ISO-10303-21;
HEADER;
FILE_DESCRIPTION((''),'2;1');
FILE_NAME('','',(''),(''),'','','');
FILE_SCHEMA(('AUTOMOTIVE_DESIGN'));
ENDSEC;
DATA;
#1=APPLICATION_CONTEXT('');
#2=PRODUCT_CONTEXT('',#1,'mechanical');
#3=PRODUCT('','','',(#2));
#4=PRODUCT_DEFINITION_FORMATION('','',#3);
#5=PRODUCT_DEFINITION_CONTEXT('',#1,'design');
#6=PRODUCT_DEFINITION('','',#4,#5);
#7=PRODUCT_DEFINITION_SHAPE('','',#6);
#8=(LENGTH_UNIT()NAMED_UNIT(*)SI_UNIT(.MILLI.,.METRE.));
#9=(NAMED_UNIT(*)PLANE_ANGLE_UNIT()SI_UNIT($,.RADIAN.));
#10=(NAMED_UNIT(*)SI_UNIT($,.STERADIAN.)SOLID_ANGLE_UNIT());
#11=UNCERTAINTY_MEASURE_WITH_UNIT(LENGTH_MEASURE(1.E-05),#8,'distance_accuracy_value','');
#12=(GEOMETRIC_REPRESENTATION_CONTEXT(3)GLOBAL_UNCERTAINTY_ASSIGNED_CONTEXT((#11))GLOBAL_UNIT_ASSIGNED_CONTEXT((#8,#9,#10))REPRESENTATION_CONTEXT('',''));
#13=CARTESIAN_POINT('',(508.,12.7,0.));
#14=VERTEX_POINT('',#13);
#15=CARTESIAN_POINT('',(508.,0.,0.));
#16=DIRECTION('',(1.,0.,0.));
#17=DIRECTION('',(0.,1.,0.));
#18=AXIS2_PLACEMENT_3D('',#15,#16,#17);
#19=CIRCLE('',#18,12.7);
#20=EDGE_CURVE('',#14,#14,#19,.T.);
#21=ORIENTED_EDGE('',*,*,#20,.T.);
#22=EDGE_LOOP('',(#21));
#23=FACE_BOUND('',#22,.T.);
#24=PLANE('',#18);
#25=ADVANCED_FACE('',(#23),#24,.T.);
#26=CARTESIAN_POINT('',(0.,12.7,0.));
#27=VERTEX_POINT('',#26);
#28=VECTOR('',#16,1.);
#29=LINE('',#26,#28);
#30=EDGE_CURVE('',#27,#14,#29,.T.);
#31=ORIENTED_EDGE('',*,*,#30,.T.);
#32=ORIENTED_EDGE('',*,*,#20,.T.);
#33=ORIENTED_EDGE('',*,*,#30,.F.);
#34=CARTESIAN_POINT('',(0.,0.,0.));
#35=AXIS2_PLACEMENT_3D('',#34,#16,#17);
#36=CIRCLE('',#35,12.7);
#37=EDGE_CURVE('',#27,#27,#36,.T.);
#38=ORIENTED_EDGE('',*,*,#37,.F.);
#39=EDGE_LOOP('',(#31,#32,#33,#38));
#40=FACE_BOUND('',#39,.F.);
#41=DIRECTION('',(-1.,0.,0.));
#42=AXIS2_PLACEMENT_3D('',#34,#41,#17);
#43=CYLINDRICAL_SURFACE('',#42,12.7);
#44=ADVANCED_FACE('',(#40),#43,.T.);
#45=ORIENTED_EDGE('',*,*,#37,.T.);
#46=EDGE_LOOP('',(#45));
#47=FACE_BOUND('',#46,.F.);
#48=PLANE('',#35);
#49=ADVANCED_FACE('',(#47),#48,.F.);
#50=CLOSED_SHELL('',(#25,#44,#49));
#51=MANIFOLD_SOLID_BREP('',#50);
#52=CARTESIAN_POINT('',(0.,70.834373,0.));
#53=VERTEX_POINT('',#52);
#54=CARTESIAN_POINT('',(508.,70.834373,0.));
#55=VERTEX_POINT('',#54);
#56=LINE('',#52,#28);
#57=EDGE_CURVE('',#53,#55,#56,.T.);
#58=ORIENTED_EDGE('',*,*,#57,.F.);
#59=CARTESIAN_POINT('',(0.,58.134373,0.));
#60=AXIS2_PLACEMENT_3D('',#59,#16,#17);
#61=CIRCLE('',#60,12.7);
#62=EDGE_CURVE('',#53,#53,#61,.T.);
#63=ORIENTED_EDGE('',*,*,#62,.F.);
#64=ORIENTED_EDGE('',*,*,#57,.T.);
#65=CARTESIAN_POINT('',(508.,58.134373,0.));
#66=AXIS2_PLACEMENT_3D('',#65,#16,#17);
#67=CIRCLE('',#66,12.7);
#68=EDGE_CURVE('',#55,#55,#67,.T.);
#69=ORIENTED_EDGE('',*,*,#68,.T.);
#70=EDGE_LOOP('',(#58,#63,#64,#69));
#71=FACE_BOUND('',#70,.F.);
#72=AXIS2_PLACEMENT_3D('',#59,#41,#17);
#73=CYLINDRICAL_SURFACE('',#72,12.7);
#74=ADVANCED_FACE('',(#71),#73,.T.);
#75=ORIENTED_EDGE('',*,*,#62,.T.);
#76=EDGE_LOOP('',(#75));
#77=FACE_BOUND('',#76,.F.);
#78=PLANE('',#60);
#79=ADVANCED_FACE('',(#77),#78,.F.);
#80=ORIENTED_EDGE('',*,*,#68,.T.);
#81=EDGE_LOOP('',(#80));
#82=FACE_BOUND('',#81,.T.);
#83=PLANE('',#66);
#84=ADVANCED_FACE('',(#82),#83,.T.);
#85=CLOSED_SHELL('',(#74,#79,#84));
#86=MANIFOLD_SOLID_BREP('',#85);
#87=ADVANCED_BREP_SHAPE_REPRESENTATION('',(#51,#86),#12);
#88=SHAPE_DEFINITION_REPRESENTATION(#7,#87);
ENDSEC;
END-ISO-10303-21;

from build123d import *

# Parameters (mm, degrees)
F0_R     = 12.7
F1_DEPTH = 508


with BuildPart() as f1:
    # F0 (on Right) → F1 (new body)
    with BuildSketch(Plane.YZ):
        with Locations((58.134373, 0)):
            Circle(F0_R)
        Circle(F0_R)
    extrude(amount=F1_DEPTH)


solid = f1.part
